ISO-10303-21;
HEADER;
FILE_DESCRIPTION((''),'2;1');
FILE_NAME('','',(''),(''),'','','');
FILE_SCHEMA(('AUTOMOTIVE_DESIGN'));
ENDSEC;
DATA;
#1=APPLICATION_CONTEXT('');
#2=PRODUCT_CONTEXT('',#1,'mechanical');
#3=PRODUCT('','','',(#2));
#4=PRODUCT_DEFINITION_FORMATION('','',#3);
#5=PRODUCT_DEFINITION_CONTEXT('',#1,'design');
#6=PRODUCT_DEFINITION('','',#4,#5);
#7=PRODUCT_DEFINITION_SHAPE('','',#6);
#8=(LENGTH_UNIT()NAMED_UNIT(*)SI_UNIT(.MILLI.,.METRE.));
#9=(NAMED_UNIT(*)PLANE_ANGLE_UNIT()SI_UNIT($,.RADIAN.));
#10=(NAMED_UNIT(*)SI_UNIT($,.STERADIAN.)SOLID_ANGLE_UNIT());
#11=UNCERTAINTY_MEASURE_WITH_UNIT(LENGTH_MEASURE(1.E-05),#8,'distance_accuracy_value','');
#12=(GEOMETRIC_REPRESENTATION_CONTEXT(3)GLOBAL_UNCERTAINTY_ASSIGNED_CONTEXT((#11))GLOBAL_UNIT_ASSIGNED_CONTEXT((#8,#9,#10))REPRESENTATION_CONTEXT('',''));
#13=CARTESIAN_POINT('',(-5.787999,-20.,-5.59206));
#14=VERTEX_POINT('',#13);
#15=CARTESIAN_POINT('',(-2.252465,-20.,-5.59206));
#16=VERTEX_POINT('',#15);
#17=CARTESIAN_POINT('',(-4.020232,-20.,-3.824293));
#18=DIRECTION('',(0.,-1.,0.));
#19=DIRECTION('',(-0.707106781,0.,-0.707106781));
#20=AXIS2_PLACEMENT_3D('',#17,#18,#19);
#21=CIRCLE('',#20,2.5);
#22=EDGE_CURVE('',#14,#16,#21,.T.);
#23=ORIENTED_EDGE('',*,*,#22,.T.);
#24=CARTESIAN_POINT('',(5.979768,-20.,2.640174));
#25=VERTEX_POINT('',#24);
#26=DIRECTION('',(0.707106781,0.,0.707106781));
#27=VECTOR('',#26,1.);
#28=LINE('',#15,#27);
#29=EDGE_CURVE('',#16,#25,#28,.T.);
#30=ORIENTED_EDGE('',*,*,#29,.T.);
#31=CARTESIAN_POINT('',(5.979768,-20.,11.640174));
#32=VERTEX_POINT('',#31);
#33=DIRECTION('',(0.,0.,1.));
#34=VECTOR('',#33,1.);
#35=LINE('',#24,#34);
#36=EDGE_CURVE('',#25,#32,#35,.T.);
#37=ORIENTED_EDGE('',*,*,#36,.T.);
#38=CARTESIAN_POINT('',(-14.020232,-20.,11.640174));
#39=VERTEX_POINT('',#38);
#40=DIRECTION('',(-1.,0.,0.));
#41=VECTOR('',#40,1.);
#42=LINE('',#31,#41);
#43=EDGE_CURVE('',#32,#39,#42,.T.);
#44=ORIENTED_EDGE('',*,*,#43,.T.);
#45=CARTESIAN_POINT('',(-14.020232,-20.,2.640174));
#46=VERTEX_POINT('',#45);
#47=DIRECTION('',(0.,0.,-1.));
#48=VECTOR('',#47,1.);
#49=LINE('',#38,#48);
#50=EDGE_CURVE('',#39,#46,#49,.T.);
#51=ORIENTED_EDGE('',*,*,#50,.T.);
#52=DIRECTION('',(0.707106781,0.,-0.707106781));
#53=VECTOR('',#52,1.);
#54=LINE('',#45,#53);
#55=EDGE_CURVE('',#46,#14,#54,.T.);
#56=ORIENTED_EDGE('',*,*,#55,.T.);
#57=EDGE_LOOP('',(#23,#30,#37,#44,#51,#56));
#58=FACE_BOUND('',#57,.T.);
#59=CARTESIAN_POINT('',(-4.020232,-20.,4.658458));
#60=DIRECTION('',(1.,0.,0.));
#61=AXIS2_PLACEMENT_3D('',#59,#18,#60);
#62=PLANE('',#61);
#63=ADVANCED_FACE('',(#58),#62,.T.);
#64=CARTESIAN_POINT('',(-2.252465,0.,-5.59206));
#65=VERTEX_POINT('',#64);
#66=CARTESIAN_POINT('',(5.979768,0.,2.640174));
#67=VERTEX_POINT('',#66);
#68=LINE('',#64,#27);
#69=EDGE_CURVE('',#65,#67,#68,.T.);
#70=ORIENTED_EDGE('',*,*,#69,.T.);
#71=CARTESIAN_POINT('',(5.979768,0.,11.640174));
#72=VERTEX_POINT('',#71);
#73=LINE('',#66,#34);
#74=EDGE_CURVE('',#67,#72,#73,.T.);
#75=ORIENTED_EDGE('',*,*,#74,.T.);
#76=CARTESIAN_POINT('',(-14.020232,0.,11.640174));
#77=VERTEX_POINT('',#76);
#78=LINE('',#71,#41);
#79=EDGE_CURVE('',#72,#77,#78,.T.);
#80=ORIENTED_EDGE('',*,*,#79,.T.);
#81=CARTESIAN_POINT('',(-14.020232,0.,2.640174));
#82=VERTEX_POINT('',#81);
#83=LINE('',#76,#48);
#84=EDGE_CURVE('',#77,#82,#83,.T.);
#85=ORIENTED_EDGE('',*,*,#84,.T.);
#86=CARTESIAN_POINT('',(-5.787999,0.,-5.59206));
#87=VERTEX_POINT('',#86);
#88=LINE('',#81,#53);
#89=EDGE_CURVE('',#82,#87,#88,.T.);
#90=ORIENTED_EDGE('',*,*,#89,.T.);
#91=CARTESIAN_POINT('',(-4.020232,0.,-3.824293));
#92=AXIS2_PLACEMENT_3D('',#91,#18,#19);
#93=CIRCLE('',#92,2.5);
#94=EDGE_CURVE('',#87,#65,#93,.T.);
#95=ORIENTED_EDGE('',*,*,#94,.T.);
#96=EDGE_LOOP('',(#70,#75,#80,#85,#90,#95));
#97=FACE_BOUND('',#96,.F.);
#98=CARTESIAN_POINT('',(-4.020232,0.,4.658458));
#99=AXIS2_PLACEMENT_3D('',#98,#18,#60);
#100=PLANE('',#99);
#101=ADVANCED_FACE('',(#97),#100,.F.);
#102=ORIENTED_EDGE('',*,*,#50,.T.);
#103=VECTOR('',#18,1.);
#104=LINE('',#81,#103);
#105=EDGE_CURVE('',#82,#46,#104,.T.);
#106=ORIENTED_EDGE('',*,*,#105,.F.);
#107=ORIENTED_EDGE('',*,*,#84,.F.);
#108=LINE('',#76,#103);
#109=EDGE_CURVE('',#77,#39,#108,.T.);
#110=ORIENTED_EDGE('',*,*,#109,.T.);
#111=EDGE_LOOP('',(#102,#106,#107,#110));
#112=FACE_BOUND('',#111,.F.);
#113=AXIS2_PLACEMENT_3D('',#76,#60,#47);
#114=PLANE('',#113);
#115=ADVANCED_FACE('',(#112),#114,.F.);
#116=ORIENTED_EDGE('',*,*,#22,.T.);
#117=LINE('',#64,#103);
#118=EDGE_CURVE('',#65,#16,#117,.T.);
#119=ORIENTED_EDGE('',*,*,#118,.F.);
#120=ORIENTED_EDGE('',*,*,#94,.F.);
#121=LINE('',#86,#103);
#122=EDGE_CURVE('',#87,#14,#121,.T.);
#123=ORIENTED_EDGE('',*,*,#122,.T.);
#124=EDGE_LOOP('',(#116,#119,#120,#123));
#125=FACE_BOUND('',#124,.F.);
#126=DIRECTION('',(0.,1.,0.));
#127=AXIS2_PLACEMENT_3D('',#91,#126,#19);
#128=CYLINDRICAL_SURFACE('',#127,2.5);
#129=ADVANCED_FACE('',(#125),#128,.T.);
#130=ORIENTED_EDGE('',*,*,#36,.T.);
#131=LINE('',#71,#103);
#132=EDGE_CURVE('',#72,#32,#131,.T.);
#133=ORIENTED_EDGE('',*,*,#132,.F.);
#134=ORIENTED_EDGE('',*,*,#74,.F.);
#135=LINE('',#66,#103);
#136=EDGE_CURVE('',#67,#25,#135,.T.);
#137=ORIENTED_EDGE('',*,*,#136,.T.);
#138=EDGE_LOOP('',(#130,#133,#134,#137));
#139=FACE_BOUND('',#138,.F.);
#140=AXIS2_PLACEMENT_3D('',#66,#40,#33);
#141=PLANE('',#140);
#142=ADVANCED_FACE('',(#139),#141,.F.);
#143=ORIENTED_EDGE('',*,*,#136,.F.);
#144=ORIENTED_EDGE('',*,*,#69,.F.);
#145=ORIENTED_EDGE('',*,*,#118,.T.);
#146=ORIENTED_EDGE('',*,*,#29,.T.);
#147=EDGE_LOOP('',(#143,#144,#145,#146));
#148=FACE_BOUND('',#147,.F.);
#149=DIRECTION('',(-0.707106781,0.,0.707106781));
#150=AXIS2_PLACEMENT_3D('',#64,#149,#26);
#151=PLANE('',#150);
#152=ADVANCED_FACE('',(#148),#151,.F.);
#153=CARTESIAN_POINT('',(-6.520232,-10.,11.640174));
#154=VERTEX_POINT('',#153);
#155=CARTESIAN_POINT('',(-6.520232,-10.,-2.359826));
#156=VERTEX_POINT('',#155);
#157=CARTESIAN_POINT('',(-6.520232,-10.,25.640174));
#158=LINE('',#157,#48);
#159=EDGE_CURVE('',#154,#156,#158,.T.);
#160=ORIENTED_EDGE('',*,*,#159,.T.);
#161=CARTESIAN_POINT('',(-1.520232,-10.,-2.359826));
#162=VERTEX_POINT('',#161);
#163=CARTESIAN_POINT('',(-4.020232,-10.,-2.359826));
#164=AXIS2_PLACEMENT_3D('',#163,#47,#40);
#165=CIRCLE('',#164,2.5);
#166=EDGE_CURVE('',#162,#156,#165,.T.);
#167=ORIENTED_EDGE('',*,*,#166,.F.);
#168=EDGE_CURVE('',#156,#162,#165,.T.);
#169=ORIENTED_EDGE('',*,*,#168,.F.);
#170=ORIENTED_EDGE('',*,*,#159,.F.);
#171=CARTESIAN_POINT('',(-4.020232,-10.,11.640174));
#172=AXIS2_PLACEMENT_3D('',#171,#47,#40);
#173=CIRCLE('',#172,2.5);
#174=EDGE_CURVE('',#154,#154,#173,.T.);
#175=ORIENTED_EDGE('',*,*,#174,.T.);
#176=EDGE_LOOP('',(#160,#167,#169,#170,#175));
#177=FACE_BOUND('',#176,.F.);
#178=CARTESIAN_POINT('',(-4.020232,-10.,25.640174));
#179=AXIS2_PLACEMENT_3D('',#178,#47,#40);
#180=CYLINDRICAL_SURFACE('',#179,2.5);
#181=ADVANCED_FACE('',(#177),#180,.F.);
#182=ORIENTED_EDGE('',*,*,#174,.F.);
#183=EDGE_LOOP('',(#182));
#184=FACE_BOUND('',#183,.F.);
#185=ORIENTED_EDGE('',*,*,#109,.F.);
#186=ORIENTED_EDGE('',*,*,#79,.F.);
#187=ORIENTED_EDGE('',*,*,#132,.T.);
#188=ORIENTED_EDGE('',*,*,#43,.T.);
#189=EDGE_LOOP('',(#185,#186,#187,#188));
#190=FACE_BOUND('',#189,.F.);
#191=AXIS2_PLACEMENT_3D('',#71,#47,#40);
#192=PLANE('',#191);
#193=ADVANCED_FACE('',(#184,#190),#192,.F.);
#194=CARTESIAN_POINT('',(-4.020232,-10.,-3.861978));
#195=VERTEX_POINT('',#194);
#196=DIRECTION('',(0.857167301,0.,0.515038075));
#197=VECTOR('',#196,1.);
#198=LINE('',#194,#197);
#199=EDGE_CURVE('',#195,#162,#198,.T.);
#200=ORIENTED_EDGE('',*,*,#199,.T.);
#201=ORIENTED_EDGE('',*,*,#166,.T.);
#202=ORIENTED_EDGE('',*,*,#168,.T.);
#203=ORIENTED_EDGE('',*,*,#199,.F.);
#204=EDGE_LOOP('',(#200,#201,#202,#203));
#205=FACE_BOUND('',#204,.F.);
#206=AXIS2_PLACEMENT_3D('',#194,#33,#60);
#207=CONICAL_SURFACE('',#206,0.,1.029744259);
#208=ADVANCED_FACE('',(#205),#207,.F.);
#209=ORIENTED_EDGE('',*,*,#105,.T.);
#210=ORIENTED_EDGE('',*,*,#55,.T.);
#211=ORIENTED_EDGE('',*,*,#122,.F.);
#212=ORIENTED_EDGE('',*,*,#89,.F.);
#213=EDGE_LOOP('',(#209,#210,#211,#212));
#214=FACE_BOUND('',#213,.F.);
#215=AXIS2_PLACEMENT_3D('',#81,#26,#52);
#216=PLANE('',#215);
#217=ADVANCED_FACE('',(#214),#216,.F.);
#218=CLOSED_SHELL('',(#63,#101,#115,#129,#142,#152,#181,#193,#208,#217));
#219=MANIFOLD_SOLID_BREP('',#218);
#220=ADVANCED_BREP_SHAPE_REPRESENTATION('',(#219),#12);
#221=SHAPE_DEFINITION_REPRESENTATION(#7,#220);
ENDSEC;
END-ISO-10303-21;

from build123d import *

# Parameters (mm, degrees)
F1_DEPTH = 20
F3_D     = 5
F3_DEPTH = 14
F3_TIP   = 1.5021515476


with BuildPart() as f1:
    # F0 (on Front) → F1 (new body)
    with BuildSketch(Plane.XZ):
        with BuildLine():
            Line((5.9797684476, 11.6401735377), (-14.0202315524, 11.6401735377))
            Line((-14.0202315524, 11.6401735377), (-14.0202315524, 2.6401735377))
            Line((-14.0202315524, 2.6401735377), (-5.7879985054, -5.5920595094))
            ThreePointArc((-5.7879985054, -5.5920595094), (-4.0202315524, -6.3242925564), (-2.2524645995, -5.5920595094))
            Line((-2.2524645995, -5.5920595094), (5.9797684476, 2.6401735377))
            Line((5.9797684476, 2.6401735377), (5.9797684476, 11.6401735377))
        make_face()
    extrude(amount=F1_DEPTH)

    # F3
    with Locations(Plane.XY.offset(11.6401735377)):
        with Locations((-4.0202315524, -10)):
            Hole(F3_D / 2, depth=F3_DEPTH)
            with Locations((0, 0, -(F3_DEPTH + F3_TIP / 2))):  # 118° drill point
                Cone(0, F3_D / 2, F3_TIP, mode=Mode.SUBTRACT)


solid = f1.part
